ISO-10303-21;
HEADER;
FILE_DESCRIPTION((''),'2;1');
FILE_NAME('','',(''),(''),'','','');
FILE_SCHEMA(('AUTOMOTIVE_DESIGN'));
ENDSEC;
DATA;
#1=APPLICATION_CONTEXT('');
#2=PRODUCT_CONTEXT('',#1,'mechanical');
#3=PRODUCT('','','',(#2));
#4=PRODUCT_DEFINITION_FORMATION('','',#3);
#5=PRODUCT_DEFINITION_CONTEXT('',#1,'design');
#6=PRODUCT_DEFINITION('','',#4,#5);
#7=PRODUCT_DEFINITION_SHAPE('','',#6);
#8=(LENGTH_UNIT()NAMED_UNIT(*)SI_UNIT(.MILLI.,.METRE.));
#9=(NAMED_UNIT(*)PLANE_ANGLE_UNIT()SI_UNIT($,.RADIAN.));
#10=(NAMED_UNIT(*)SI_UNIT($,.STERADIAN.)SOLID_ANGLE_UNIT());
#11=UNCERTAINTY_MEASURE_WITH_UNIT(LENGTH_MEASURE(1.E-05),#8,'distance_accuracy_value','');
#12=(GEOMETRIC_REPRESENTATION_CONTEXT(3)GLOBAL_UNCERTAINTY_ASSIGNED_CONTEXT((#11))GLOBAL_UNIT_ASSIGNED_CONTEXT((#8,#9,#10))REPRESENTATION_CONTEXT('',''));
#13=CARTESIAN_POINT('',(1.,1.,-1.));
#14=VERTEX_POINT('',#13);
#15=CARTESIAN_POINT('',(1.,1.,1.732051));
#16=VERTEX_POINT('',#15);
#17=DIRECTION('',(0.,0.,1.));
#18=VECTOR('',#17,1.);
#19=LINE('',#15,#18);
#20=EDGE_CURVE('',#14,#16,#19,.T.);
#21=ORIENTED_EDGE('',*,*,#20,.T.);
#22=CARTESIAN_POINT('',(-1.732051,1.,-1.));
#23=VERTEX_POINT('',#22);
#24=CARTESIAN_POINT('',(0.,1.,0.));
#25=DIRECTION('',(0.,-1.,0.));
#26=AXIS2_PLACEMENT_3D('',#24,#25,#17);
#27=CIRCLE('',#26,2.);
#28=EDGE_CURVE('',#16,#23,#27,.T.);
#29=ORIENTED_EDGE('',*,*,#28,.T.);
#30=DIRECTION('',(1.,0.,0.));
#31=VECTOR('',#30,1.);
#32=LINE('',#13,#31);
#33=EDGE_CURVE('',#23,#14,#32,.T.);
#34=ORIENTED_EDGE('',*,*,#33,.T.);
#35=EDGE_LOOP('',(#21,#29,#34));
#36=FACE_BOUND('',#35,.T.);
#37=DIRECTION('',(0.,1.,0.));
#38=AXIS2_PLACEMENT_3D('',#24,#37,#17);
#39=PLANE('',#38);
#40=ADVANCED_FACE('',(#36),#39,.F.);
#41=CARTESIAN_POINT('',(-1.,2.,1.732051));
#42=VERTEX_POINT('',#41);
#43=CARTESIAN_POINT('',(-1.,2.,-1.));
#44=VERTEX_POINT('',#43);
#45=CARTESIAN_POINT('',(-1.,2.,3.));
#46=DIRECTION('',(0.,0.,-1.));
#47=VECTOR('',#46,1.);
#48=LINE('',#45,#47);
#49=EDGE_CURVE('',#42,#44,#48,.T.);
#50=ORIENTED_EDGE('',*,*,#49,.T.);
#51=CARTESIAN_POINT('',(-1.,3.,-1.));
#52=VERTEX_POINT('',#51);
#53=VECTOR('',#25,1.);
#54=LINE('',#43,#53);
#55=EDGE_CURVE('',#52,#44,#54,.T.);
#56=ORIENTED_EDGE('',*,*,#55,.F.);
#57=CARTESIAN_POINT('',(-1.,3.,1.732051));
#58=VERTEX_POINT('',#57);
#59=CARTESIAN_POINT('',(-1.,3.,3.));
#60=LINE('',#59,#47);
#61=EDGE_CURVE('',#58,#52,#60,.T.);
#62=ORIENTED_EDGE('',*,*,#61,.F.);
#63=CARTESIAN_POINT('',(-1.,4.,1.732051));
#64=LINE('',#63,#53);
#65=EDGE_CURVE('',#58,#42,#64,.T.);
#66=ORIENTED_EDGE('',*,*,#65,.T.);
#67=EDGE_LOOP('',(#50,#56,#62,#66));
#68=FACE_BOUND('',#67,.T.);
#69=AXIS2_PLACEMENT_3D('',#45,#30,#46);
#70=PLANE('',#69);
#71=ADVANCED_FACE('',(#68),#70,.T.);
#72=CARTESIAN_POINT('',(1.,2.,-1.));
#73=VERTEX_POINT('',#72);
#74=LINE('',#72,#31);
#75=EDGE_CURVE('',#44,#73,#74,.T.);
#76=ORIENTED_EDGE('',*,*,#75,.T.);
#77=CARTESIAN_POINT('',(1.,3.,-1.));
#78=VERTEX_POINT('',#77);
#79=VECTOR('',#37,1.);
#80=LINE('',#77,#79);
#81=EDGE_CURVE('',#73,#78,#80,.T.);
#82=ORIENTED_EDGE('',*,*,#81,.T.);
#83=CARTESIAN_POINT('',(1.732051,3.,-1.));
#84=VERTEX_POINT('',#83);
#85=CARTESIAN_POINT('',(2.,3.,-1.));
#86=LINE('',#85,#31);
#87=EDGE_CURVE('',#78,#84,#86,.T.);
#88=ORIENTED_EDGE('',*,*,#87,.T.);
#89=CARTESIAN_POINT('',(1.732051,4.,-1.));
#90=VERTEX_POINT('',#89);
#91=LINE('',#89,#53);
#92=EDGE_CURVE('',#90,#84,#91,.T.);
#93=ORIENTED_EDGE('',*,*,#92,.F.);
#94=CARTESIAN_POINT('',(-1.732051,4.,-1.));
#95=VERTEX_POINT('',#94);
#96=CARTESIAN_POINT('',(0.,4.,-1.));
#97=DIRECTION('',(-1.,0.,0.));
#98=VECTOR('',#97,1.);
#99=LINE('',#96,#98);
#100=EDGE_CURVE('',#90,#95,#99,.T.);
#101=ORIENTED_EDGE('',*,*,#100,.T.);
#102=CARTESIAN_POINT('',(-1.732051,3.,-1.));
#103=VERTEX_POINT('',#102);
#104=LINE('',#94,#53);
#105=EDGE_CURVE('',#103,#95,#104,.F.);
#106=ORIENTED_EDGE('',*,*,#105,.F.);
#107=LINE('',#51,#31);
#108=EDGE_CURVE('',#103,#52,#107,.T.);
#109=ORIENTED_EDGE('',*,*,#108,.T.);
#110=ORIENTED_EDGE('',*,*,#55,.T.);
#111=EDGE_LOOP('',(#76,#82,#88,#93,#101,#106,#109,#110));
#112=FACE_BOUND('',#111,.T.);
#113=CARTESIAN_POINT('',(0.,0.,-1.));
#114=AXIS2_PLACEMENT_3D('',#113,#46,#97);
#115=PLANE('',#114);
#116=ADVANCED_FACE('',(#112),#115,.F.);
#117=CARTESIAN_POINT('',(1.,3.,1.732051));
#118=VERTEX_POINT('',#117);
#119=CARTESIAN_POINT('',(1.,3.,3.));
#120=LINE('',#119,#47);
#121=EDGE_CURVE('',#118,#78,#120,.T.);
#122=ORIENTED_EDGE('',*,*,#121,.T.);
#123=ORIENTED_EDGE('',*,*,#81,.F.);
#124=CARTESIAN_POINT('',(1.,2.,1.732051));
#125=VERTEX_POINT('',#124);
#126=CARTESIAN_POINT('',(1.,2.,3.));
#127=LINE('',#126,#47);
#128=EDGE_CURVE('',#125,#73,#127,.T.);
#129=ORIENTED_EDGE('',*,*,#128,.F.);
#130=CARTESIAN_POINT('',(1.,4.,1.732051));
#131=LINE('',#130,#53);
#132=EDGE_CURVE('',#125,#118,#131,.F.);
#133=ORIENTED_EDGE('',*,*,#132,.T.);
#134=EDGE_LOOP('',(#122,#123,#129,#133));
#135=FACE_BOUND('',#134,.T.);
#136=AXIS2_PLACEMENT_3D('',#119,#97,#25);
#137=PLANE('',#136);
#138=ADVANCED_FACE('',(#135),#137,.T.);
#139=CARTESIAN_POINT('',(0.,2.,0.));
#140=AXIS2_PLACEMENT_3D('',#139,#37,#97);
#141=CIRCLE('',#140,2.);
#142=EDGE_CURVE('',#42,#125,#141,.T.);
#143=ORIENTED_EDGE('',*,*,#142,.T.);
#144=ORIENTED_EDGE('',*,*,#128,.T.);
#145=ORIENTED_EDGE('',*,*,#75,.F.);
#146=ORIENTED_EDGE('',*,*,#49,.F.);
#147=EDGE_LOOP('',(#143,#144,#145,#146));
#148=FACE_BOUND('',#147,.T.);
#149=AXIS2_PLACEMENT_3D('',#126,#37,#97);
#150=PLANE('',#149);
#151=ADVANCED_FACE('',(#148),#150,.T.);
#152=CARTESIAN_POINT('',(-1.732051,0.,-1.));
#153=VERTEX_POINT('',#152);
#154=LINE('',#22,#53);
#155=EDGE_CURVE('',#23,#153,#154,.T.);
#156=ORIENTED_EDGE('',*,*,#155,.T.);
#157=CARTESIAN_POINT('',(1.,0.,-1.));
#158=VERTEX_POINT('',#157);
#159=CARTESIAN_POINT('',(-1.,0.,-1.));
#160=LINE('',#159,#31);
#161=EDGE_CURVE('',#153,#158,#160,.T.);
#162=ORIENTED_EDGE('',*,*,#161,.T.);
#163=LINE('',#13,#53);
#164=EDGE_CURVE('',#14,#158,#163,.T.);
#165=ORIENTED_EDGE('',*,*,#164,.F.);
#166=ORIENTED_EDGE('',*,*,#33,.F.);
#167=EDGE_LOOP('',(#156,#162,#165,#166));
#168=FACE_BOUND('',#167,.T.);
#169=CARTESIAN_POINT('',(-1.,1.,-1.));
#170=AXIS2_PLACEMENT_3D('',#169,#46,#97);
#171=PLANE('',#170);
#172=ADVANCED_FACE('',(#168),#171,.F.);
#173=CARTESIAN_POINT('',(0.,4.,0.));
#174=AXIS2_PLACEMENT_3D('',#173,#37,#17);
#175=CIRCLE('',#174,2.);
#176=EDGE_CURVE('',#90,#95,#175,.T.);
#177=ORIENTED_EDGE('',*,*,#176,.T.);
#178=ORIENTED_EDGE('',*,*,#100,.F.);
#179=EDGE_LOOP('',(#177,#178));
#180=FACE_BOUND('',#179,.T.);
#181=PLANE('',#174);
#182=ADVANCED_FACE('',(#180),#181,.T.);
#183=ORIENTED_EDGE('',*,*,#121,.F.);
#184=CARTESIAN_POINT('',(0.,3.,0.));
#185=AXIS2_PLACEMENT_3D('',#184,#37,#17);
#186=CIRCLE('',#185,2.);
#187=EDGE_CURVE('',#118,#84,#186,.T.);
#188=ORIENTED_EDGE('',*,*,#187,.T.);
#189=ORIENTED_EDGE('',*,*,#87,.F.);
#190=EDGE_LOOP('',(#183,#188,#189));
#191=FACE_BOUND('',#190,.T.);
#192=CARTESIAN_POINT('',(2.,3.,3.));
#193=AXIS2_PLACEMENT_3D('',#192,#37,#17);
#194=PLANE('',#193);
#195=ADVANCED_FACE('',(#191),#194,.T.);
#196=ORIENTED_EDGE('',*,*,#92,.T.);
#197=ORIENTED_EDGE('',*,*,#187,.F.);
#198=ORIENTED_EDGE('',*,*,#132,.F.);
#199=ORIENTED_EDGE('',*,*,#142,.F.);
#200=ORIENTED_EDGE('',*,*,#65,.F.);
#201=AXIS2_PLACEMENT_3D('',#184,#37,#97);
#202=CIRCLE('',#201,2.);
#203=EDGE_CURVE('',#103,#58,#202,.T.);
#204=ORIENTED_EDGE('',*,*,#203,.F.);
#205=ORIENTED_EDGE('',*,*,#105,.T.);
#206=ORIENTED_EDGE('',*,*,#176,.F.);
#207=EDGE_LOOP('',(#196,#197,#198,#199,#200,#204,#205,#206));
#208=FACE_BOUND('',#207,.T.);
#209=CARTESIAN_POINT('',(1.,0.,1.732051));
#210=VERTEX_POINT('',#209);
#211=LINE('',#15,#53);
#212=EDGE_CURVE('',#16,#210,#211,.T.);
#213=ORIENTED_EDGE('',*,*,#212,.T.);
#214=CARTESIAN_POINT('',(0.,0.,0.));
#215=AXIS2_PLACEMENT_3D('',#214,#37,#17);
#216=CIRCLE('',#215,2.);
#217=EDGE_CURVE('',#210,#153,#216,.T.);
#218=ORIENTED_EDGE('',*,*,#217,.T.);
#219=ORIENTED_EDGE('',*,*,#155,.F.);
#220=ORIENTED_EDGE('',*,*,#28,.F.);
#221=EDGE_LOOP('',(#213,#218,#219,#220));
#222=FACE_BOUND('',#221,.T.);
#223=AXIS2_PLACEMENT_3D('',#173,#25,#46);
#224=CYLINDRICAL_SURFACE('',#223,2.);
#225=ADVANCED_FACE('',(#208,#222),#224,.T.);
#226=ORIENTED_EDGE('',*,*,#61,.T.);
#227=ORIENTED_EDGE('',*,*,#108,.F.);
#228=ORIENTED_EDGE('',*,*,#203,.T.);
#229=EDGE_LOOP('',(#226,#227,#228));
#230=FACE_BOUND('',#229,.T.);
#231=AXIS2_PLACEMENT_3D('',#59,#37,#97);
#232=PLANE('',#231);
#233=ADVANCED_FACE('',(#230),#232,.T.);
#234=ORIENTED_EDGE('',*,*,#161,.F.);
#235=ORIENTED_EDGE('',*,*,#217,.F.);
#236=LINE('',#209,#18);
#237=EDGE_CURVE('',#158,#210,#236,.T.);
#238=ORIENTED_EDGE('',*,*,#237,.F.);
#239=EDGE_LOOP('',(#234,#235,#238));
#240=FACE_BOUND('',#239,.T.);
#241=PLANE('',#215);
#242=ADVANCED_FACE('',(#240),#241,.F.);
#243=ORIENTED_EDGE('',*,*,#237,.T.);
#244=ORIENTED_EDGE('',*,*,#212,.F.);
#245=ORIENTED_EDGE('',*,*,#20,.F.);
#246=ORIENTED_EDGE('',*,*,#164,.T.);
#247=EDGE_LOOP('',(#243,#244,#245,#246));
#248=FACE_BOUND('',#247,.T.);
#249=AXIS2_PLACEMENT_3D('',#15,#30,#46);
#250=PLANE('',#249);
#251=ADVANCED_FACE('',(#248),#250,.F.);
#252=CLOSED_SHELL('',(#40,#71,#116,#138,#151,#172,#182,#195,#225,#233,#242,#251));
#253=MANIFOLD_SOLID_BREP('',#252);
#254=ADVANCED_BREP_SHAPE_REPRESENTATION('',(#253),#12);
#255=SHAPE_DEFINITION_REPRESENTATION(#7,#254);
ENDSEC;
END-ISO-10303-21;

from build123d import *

# Parameters (mm, degrees)
SKETCH1_R               = 2
BOSS_EXTRUDE1_DEPTH     = 4
CUT_EXTRUDE1_DEPTH      = 3
CUT_EXTRUDE1_DEPTH_BACK = 1
CUT_EXTRUDE9_DEPTH      = 1


with BuildPart() as part:
    # Sketch1 → Boss-Extrude1 (new body)
    with BuildSketch(Plane(origin=(0, 0, 0), x_dir=(1, 0, 0), z_dir=(0, 1, 0))):
        Circle(SKETCH1_R)
    extrude(amount=BOSS_EXTRUDE1_DEPTH)

    # Sketch2 → Cut-Extrude1 (cut, two sides)
    with BuildSketch(Plane.XY) as cut_extrude1_sk:
        Polygon((-2, 4), (2, 4), (2, 3), (1, 3), (1, 2), (-1, 2), (-1, 3), (-2, 3), align=None)
    extrude(amount=CUT_EXTRUDE1_DEPTH, mode=Mode.SUBTRACT)
    extrude(cut_extrude1_sk.sketch, amount=-CUT_EXTRUDE1_DEPTH_BACK, mode=Mode.SUBTRACT)

    # Sketch4 → Cut-Extrude9 (cut)
    with BuildSketch(Plane.XZ):
        with BuildLine():
            Line((-1, -1), (-1.732050808, -1))
            ThreePointArc((-1.732050808, -1), (-1.414213562, 1.414213562), (1, 1.732050808))
            Line((1, 1.732050808), (1, -1))
            Line((1, -1), (-1, -1))
        make_face()
    extrude(amount=-CUT_EXTRUDE9_DEPTH, mode=Mode.SUBTRACT)


solid = part.part
